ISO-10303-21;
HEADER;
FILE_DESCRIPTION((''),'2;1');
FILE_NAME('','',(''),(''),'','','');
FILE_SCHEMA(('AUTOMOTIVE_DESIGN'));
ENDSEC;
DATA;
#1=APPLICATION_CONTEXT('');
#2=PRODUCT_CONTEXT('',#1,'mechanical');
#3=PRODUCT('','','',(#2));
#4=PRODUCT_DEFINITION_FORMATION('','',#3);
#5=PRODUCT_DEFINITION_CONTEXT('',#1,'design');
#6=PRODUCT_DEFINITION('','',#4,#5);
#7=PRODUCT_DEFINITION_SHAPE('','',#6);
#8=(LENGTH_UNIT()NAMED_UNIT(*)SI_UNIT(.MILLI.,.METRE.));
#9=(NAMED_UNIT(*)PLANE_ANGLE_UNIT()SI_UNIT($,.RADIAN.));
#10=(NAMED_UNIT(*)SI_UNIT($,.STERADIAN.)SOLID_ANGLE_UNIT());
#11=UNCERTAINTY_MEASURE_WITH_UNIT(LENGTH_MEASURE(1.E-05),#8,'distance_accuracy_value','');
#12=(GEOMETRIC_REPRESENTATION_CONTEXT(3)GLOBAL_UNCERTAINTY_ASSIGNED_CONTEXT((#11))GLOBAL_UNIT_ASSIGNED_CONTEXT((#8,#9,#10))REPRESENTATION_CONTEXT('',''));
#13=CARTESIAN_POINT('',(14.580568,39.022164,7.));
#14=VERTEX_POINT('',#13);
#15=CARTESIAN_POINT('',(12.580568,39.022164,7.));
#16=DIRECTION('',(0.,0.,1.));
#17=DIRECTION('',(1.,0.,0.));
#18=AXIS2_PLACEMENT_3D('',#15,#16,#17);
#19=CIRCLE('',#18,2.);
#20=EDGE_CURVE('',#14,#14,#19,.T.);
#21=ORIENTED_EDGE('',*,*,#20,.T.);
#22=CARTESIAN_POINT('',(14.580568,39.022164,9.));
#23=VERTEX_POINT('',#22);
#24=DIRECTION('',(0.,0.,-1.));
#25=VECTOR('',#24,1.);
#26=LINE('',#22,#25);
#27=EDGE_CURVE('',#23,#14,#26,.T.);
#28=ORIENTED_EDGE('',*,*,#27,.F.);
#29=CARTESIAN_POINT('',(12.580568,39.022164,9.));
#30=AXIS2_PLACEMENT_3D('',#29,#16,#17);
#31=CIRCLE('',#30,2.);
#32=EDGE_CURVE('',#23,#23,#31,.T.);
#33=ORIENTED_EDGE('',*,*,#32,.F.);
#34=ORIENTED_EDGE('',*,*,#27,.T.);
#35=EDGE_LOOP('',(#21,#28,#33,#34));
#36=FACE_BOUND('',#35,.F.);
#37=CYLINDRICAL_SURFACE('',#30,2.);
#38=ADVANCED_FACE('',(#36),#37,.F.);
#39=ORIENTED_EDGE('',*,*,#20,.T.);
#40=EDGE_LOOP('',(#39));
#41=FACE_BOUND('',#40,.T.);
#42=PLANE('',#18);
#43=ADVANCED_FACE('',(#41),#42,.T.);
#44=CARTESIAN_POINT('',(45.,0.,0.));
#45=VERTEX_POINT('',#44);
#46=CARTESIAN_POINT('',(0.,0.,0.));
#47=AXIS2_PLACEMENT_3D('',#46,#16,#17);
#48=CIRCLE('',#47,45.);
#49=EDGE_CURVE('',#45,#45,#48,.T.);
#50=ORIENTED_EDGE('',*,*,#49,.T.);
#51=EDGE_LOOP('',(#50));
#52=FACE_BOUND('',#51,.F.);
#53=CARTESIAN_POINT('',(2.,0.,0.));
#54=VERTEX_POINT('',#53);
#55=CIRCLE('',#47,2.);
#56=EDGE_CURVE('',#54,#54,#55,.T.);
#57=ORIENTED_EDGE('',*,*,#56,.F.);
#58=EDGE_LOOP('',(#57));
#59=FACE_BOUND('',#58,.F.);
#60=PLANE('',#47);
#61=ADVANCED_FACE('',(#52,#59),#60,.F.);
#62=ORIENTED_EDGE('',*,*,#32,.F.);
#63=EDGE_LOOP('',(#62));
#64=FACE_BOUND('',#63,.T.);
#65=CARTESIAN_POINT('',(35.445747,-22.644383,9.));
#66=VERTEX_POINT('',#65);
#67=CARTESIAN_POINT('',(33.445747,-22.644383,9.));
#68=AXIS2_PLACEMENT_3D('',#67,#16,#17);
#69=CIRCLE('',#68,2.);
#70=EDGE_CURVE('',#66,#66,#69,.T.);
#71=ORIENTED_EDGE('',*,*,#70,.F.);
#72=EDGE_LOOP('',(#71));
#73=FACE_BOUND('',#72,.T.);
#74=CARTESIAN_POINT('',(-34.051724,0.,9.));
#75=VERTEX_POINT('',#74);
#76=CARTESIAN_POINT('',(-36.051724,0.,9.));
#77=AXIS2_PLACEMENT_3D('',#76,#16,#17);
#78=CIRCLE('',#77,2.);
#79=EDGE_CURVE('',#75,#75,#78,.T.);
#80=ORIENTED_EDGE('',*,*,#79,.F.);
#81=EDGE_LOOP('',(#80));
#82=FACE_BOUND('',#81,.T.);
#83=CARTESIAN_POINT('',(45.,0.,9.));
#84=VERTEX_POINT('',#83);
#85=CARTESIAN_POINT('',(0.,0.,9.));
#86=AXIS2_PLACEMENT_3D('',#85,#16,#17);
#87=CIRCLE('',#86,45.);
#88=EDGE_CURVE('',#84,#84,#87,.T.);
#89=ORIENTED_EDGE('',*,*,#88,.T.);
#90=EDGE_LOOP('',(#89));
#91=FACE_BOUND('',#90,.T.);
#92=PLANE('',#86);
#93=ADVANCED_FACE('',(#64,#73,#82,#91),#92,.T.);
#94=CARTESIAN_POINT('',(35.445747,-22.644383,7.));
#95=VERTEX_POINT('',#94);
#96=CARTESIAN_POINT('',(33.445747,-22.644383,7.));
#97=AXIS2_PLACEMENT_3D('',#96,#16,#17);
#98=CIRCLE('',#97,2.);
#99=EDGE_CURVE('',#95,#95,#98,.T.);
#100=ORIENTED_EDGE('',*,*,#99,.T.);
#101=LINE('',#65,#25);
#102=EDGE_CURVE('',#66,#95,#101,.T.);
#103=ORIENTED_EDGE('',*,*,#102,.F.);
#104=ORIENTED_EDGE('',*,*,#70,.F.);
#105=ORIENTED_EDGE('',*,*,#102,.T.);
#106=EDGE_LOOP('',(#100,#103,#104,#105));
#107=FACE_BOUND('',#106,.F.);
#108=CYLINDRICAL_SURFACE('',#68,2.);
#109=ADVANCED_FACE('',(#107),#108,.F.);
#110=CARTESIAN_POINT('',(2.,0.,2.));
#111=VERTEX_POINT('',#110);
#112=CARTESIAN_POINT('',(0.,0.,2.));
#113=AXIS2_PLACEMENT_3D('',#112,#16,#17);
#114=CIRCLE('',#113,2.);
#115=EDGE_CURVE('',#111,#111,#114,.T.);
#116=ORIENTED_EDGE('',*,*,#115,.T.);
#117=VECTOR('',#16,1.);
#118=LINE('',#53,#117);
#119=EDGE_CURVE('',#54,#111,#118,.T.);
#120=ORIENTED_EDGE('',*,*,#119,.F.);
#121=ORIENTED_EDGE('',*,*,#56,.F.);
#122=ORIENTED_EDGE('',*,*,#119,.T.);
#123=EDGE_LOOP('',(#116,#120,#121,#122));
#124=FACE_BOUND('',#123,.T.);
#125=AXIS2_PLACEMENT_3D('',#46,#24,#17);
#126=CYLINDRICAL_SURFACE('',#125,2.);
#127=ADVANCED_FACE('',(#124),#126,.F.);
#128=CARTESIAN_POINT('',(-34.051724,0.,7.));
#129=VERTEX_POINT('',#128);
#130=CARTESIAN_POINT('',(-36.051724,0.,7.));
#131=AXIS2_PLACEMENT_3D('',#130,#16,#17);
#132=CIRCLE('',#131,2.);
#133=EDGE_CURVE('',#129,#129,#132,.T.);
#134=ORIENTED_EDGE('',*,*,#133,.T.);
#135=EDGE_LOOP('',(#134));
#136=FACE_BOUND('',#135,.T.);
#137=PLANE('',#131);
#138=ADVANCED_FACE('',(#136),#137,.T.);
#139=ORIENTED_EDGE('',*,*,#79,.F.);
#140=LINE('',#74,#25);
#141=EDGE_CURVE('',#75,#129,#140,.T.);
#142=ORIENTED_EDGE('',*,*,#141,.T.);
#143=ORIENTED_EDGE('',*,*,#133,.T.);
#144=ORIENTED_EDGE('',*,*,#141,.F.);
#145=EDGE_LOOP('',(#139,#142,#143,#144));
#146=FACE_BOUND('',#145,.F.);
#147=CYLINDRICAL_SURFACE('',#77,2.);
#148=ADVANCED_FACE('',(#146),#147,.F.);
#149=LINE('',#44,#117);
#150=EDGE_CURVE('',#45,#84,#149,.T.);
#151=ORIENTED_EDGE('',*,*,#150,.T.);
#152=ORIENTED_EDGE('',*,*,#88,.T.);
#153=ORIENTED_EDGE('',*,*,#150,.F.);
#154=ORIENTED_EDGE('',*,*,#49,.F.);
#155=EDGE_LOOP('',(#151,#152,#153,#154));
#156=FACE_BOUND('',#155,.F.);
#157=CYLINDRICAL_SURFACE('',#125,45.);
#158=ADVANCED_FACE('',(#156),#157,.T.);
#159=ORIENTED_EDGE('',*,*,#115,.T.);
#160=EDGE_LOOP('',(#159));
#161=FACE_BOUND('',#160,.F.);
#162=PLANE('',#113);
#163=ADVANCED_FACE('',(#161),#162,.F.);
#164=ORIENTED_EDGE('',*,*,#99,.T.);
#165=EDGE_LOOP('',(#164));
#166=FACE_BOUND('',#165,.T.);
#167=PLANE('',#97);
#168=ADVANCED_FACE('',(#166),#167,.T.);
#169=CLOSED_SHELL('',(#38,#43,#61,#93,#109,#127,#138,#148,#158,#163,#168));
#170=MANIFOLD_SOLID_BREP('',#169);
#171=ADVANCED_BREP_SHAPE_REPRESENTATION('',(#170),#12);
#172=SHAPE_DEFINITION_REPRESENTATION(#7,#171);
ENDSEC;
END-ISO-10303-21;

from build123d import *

# Parameters (mm, degrees)
F0_R     = 45
F0_R_2   = 2
F1_DEPTH = 9
F2_DEPTH = 2
F3_R     = 2
F4_DEPTH = 2


with BuildPart() as f1:
    # F0 (on Top) → F1 (new body)
    with BuildSketch(Plane.XY):
        Circle(F0_R)
        Circle(F0_R_2, mode=Mode.SUBTRACT)
        Circle(F0_R_2)
    extrude(amount=F1_DEPTH)

    # F0 (on Top) → F2 (cut)
    with BuildSketch(Plane.XY):
        Circle(F0_R_2)
    extrude(amount=F2_DEPTH, mode=Mode.SUBTRACT)

    # F3 (on face) → F4 (cut)
    with BuildSketch(Plane.XY.offset(9)):
        with Locations((-36.051724, 0)):
            Circle(F3_R)
        with Locations((12.580568, 39.022164)):
            Circle(F3_R)
        with Locations((33.445747, -22.644383)):
            Circle(F3_R)
    extrude(amount=-F4_DEPTH, mode=Mode.SUBTRACT)


solid = f1.part
